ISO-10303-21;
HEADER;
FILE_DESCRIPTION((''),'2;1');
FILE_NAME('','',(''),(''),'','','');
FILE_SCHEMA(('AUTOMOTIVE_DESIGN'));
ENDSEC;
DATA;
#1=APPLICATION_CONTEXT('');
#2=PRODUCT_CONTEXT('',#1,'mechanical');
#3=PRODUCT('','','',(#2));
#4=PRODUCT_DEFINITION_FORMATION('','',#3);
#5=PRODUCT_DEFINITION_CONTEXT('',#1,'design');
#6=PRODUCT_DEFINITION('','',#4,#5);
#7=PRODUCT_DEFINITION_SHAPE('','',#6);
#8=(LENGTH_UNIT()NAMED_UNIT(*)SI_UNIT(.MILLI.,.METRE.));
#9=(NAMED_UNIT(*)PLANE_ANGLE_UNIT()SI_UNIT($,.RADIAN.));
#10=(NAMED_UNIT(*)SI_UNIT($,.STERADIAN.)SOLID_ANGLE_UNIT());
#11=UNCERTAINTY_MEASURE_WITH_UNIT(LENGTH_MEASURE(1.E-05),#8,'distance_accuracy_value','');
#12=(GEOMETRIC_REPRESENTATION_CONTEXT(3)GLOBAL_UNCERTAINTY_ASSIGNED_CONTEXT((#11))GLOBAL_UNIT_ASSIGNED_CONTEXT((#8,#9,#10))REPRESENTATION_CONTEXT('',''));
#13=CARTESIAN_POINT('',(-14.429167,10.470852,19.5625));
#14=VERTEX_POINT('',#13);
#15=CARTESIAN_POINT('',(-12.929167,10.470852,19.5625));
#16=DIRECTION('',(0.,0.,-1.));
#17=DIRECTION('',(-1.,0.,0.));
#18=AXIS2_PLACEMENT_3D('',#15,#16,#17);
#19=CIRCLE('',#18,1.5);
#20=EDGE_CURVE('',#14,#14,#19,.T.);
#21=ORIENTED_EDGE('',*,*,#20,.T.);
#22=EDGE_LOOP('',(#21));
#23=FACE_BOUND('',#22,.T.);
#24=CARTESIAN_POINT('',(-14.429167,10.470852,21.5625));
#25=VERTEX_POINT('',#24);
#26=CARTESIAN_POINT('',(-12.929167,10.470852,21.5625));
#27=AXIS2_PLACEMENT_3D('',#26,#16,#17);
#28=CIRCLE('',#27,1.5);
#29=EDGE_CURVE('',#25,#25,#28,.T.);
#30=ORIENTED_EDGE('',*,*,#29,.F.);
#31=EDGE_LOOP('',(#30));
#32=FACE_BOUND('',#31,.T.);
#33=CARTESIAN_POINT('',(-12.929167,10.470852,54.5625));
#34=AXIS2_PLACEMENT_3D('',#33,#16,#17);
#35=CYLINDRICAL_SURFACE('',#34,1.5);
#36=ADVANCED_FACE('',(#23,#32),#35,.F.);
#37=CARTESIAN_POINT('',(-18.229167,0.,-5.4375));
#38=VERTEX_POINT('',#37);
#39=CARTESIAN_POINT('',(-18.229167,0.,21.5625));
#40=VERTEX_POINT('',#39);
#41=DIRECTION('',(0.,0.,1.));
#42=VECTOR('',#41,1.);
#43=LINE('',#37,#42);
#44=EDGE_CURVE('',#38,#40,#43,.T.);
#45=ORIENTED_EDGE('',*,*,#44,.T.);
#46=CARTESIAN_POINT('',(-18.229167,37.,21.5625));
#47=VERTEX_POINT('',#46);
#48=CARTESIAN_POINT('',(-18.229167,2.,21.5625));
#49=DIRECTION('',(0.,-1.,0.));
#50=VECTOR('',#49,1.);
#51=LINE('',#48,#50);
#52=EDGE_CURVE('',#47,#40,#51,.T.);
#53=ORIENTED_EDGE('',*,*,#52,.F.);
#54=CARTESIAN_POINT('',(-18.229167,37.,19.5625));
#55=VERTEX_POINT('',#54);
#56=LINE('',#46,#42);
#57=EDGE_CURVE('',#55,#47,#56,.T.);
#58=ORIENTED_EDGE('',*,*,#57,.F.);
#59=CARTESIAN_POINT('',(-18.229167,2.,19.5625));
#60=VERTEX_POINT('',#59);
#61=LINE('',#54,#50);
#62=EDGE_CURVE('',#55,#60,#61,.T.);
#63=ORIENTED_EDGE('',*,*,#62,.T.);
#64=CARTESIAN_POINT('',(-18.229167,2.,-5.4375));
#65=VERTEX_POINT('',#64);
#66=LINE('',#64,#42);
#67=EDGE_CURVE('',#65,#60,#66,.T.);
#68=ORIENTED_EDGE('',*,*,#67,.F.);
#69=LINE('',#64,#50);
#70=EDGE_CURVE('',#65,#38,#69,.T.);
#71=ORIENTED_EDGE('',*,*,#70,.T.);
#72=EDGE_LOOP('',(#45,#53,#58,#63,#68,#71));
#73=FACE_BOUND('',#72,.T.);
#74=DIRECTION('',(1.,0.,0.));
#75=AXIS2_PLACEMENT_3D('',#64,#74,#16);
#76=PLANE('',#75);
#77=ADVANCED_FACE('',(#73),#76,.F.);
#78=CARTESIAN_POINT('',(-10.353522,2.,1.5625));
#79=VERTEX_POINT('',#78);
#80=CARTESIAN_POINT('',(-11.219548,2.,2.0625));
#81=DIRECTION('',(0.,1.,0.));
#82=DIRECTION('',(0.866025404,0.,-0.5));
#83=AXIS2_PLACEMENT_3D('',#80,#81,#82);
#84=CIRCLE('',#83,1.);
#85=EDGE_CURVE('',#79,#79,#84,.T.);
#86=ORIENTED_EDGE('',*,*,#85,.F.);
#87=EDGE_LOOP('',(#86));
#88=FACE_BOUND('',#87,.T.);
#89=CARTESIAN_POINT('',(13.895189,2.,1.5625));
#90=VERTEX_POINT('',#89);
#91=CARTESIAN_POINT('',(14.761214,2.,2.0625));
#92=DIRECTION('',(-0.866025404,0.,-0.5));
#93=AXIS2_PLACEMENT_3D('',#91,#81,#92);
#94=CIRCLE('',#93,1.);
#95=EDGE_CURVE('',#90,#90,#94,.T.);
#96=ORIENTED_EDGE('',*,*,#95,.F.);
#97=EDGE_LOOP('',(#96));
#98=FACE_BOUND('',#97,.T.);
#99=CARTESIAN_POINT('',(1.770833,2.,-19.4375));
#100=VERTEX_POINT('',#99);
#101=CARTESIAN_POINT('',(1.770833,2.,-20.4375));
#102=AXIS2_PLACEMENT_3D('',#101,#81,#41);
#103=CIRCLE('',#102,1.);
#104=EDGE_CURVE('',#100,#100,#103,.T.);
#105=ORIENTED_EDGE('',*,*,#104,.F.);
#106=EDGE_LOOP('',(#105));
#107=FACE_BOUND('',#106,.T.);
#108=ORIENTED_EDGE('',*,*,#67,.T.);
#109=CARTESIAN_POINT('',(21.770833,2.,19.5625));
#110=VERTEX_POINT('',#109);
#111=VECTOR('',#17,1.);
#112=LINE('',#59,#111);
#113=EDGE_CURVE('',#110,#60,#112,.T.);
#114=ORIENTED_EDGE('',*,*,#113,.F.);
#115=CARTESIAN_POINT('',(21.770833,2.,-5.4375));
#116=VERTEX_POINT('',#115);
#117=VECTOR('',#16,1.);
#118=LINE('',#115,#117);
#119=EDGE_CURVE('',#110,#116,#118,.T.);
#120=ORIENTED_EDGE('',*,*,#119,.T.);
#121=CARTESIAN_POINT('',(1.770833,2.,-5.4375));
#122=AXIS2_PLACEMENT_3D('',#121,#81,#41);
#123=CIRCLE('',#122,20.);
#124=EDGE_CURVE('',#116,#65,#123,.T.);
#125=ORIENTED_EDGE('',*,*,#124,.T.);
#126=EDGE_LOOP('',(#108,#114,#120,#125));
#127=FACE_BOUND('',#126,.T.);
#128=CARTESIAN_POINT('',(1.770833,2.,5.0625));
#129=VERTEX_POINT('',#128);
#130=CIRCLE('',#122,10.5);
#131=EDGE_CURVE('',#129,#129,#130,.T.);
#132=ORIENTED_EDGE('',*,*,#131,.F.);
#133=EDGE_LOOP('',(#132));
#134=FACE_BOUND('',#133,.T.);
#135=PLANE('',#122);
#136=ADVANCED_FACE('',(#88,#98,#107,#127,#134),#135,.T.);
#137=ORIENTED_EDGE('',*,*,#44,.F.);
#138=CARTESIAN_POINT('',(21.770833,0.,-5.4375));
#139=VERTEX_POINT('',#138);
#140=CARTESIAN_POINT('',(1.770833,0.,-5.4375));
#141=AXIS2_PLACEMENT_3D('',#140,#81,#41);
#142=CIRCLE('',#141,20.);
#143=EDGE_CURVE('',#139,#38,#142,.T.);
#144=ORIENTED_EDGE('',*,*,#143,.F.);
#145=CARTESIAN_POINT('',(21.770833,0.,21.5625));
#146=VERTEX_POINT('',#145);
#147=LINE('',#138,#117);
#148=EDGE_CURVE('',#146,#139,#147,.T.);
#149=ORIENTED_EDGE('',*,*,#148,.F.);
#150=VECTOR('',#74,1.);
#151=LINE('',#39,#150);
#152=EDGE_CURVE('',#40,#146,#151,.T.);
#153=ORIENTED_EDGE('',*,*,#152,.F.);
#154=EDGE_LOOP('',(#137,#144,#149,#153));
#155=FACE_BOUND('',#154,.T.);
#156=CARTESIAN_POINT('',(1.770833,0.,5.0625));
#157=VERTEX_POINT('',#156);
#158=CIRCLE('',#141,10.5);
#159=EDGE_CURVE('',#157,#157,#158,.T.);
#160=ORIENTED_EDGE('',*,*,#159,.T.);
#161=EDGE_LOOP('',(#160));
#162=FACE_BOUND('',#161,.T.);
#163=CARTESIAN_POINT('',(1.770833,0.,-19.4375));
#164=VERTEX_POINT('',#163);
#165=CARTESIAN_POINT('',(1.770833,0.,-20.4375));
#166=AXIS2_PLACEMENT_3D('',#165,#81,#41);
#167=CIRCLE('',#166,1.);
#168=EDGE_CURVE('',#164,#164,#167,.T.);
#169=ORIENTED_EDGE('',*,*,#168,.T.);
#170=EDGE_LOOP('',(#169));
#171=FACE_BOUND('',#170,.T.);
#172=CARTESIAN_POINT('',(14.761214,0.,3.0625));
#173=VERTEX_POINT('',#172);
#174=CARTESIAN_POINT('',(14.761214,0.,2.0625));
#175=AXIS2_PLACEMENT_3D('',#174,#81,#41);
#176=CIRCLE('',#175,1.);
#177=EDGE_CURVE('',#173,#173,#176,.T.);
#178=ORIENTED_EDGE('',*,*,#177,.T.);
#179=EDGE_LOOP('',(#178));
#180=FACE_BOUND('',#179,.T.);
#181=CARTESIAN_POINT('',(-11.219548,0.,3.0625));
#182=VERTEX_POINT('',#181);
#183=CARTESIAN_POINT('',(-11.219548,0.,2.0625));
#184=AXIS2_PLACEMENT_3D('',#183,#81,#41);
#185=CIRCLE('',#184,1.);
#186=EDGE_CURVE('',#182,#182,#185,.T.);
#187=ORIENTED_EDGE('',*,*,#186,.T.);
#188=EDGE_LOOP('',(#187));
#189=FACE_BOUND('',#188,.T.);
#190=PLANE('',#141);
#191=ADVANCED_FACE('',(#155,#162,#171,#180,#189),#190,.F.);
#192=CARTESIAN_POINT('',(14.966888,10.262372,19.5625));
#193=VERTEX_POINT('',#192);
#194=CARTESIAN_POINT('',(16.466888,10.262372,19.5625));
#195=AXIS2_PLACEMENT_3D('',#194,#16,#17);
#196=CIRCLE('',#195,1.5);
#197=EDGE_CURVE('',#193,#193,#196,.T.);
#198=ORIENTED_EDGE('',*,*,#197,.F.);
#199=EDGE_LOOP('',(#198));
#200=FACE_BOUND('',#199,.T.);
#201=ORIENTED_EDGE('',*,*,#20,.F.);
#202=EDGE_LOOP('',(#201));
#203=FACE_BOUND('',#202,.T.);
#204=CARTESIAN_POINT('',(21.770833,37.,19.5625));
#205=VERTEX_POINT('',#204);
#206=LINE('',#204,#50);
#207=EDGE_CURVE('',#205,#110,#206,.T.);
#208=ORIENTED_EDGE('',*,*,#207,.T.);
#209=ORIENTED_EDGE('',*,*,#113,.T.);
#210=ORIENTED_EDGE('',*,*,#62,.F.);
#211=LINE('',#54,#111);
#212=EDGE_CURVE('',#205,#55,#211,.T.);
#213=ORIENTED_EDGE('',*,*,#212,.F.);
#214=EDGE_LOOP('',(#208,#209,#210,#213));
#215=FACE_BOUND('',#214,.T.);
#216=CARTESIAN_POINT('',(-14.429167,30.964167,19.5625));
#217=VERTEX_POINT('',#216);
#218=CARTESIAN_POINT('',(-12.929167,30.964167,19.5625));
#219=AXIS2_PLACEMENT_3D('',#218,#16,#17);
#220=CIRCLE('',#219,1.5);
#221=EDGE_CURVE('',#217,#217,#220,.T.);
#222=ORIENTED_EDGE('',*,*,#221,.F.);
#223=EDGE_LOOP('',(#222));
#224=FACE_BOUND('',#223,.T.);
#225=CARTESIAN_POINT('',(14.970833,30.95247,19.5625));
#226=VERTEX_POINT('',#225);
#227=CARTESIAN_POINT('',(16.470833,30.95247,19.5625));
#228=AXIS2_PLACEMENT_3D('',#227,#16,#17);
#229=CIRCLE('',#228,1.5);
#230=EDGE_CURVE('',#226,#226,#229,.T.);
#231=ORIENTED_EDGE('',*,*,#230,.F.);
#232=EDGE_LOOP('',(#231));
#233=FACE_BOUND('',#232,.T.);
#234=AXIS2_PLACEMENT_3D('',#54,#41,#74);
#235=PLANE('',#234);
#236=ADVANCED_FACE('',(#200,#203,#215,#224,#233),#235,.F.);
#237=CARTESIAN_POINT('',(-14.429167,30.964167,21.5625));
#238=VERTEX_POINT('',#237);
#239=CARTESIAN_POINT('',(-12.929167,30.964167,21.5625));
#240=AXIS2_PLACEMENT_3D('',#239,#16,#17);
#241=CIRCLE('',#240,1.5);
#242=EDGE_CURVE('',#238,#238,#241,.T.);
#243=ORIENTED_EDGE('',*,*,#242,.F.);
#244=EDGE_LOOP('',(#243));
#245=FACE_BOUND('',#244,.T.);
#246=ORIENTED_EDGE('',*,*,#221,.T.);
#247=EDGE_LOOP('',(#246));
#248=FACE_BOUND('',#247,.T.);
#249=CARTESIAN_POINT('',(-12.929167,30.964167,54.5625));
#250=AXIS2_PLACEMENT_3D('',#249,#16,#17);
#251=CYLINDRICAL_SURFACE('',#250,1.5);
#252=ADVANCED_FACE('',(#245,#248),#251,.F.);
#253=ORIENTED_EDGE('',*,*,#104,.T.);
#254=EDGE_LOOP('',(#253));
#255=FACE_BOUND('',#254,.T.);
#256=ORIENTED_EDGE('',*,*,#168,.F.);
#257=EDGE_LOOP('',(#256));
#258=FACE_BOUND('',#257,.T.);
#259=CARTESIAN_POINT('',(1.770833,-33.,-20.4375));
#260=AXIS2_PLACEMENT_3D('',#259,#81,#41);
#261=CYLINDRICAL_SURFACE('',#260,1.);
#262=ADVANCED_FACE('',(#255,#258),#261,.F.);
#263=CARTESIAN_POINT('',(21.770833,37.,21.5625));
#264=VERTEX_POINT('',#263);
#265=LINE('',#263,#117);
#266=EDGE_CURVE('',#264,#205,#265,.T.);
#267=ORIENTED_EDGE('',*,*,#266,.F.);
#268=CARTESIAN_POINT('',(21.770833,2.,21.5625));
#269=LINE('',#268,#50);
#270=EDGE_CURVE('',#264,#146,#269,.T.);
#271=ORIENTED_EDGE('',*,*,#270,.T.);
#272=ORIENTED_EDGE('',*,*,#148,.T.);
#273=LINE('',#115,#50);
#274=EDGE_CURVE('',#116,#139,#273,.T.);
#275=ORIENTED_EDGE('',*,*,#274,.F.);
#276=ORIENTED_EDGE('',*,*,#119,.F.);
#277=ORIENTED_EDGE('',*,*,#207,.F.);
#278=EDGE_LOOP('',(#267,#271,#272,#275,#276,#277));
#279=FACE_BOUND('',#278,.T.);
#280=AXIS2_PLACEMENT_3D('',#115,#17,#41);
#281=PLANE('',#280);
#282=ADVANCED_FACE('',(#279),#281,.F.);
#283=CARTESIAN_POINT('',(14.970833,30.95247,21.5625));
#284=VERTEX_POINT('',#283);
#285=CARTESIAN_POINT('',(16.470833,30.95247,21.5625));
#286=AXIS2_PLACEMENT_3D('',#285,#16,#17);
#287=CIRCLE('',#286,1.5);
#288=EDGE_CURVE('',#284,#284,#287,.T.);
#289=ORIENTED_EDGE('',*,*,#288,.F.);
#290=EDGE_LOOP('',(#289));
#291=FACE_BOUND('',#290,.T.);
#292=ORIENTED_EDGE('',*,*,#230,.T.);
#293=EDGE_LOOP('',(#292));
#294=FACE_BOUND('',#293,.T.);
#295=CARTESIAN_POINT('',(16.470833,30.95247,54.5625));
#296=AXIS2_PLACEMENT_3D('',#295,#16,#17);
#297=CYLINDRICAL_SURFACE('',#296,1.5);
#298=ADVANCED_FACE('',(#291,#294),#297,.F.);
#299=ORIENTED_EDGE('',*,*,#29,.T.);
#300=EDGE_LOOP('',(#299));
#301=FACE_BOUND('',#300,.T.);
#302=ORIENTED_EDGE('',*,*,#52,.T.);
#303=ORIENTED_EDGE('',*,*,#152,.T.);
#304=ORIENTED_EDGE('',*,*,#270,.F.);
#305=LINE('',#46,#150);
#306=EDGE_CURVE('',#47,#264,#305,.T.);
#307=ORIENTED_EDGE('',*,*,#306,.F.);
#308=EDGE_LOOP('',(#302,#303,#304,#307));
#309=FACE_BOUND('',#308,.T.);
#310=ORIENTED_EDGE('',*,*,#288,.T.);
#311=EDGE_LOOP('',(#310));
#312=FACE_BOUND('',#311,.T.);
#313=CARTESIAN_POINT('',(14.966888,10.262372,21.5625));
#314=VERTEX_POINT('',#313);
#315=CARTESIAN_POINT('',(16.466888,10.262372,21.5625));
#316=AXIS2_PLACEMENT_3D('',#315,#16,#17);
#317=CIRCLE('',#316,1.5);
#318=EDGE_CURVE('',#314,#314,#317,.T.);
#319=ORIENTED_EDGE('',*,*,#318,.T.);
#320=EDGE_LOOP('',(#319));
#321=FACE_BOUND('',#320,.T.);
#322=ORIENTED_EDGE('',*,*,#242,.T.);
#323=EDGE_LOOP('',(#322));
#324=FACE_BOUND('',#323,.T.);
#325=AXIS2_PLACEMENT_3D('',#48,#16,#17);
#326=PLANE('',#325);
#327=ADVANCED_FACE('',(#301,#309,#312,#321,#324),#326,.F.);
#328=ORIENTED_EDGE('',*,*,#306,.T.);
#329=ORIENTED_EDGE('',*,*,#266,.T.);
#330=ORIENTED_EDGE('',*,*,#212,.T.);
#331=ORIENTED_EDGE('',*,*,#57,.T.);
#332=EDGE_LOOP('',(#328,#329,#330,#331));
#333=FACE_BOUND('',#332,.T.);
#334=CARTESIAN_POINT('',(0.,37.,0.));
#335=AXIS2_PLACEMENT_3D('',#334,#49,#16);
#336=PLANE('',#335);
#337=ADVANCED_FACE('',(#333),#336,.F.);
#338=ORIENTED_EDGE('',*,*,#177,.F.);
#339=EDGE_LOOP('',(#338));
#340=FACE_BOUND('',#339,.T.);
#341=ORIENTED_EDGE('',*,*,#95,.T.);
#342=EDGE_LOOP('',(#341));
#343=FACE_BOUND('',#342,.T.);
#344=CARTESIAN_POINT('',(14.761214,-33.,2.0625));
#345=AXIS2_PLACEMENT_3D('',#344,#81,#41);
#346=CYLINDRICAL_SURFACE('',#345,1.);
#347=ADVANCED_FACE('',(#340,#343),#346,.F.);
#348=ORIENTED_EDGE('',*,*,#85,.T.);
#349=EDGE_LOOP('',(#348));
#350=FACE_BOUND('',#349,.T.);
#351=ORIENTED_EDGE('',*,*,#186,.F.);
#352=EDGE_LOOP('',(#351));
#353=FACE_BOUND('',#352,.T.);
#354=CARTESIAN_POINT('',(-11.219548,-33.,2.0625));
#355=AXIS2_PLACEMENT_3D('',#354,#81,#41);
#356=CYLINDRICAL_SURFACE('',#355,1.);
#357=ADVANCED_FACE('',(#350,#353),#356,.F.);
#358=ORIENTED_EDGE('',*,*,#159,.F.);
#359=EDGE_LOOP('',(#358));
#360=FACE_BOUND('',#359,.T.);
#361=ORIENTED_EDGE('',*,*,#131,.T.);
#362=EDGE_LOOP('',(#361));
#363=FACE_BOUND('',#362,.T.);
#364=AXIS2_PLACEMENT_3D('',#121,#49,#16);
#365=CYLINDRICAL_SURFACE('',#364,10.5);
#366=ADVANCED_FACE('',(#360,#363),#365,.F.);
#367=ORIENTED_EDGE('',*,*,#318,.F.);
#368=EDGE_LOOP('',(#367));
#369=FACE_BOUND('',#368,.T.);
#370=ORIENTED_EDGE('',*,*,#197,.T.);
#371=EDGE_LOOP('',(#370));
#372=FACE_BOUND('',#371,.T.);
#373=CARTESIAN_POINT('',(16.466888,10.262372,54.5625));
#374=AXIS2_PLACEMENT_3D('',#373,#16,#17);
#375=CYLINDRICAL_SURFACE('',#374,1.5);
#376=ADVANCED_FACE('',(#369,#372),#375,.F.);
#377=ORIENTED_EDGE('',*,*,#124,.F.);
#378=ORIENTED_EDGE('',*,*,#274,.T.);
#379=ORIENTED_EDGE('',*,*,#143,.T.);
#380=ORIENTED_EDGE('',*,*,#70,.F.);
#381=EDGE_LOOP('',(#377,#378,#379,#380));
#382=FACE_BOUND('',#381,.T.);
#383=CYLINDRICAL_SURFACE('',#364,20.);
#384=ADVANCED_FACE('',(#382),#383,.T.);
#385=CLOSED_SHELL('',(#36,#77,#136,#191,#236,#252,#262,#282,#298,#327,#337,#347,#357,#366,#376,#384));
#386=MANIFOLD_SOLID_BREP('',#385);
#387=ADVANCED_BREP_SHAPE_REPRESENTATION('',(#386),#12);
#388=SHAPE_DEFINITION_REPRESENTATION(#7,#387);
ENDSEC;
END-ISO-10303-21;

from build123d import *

# Parameters (mm, degrees)
SKETCH1_R           = 10.5
BOSS_EXTRUDE2_DEPTH = 2
SKETCH2_W           = 40
SKETCH2_H           = 2
BOSS_EXTRUDE3_DEPTH = 35
CUT_EXTRUDE1_DEPTH  = 35
CIRPATTERN1_COUNT   = 3
SKETCH5_R           = 1.5
CUT_EXTRUDE2_DEPTH  = 35
SKETCH6_R           = 1.5
CUT_EXTRUDE3_DEPTH  = 35


with BuildPart() as part:
    # Sketch1 → Boss-Extrude2 (new body)
    with BuildSketch(Plane(origin=(0, 0, 0), x_dir=(1, 0, 0), z_dir=(0, 1, 0))):
        with BuildLine():
            Line((-18.229166667, 5.4375), (-18.229166667, -21.5625))
            Line((-18.229166667, -21.5625), (21.770833333, -21.5625))
            Line((21.770833333, -21.5625), (21.770833333, 5.4375))
            ThreePointArc((21.770833333, 5.4375), (1.770833333, 25.4375), (-18.229166667, 5.4375))
        make_face()
        with Locations(Location((1.770833333, 5.4375, 0), (0, 0, 270))):
            Circle(SKETCH1_R, mode=Mode.SUBTRACT)
    extrude(amount=BOSS_EXTRUDE2_DEPTH)

    # Sketch2 → Boss-Extrude3 (add)
    with BuildSketch(Plane(origin=(0, 2, 0), x_dir=(1, 0, 0), z_dir=(0, 1, 0))):
        with Locations((1.770833333, -20.5625)):
            Rectangle(SKETCH2_W, SKETCH2_H)
    extrude(amount=BOSS_EXTRUDE3_DEPTH)

    # Sketch4 → Cut-Extrude1 (cut)
    with BuildSketch(Plane(origin=(0, 2, 0), x_dir=(1, 0, 0), z_dir=(0, 1, 0))):
        with BuildLine():
            ThreePointArc((1.770833333, 21.4375), (0.770833333, 20.4375), (1.770833333, 19.4375))
            Line((1.770833333, 19.4375), (1.770833333, 21.4375))
        make_face()
        with BuildLine():
            Line((1.770833333, 21.4375), (1.770833333, 19.4375))
            ThreePointArc((1.770833333, 19.4375), (2.477940115, 19.730393219), (2.770833333, 20.4375))
            ThreePointArc((2.770833333, 20.4375), (2.477940115, 21.144606781), (1.770833333, 21.4375))
        make_face()
    cut_extrude1 = extrude(amount=-CUT_EXTRUDE1_DEPTH, mode=Mode.SUBTRACT)

    # CirPattern1: Cut-Extrude1 ×3 about axis
    cirpattern1_axis = Axis((1.770833333, 0, -5.4375), (0, 1, 0))
    for i in range(1, CIRPATTERN1_COUNT):
        add(cut_extrude1.rotate(cirpattern1_axis, i * 360 / CIRPATTERN1_COUNT), mode=Mode.SUBTRACT)

    # Sketch5 → Cut-Extrude2 (cut)
    with BuildSketch(Plane(origin=(0, 0, 19.5625), x_dir=(-1, 0, 0), z_dir=(0, 0, -1))):
        with Locations((-16.466888349, 10.262371912)):
            Circle(SKETCH5_R)
        with Locations((-16.470833333, 30.952470071)):
            Circle(SKETCH5_R)
    extrude(amount=-CUT_EXTRUDE2_DEPTH, mode=Mode.SUBTRACT)

    # Sketch6 → Cut-Extrude3 (cut)
    with BuildSketch(Plane(origin=(0, 0, 19.5625), x_dir=(-1, 0, 0), z_dir=(0, 0, -1))):
        with Locations((12.929166667, 30.96416702)):
            Circle(SKETCH6_R)
        with Locations((12.929166667, 10.470851603)):
            Circle(SKETCH6_R)
    extrude(amount=-CUT_EXTRUDE3_DEPTH, mode=Mode.SUBTRACT)


solid = part.part
